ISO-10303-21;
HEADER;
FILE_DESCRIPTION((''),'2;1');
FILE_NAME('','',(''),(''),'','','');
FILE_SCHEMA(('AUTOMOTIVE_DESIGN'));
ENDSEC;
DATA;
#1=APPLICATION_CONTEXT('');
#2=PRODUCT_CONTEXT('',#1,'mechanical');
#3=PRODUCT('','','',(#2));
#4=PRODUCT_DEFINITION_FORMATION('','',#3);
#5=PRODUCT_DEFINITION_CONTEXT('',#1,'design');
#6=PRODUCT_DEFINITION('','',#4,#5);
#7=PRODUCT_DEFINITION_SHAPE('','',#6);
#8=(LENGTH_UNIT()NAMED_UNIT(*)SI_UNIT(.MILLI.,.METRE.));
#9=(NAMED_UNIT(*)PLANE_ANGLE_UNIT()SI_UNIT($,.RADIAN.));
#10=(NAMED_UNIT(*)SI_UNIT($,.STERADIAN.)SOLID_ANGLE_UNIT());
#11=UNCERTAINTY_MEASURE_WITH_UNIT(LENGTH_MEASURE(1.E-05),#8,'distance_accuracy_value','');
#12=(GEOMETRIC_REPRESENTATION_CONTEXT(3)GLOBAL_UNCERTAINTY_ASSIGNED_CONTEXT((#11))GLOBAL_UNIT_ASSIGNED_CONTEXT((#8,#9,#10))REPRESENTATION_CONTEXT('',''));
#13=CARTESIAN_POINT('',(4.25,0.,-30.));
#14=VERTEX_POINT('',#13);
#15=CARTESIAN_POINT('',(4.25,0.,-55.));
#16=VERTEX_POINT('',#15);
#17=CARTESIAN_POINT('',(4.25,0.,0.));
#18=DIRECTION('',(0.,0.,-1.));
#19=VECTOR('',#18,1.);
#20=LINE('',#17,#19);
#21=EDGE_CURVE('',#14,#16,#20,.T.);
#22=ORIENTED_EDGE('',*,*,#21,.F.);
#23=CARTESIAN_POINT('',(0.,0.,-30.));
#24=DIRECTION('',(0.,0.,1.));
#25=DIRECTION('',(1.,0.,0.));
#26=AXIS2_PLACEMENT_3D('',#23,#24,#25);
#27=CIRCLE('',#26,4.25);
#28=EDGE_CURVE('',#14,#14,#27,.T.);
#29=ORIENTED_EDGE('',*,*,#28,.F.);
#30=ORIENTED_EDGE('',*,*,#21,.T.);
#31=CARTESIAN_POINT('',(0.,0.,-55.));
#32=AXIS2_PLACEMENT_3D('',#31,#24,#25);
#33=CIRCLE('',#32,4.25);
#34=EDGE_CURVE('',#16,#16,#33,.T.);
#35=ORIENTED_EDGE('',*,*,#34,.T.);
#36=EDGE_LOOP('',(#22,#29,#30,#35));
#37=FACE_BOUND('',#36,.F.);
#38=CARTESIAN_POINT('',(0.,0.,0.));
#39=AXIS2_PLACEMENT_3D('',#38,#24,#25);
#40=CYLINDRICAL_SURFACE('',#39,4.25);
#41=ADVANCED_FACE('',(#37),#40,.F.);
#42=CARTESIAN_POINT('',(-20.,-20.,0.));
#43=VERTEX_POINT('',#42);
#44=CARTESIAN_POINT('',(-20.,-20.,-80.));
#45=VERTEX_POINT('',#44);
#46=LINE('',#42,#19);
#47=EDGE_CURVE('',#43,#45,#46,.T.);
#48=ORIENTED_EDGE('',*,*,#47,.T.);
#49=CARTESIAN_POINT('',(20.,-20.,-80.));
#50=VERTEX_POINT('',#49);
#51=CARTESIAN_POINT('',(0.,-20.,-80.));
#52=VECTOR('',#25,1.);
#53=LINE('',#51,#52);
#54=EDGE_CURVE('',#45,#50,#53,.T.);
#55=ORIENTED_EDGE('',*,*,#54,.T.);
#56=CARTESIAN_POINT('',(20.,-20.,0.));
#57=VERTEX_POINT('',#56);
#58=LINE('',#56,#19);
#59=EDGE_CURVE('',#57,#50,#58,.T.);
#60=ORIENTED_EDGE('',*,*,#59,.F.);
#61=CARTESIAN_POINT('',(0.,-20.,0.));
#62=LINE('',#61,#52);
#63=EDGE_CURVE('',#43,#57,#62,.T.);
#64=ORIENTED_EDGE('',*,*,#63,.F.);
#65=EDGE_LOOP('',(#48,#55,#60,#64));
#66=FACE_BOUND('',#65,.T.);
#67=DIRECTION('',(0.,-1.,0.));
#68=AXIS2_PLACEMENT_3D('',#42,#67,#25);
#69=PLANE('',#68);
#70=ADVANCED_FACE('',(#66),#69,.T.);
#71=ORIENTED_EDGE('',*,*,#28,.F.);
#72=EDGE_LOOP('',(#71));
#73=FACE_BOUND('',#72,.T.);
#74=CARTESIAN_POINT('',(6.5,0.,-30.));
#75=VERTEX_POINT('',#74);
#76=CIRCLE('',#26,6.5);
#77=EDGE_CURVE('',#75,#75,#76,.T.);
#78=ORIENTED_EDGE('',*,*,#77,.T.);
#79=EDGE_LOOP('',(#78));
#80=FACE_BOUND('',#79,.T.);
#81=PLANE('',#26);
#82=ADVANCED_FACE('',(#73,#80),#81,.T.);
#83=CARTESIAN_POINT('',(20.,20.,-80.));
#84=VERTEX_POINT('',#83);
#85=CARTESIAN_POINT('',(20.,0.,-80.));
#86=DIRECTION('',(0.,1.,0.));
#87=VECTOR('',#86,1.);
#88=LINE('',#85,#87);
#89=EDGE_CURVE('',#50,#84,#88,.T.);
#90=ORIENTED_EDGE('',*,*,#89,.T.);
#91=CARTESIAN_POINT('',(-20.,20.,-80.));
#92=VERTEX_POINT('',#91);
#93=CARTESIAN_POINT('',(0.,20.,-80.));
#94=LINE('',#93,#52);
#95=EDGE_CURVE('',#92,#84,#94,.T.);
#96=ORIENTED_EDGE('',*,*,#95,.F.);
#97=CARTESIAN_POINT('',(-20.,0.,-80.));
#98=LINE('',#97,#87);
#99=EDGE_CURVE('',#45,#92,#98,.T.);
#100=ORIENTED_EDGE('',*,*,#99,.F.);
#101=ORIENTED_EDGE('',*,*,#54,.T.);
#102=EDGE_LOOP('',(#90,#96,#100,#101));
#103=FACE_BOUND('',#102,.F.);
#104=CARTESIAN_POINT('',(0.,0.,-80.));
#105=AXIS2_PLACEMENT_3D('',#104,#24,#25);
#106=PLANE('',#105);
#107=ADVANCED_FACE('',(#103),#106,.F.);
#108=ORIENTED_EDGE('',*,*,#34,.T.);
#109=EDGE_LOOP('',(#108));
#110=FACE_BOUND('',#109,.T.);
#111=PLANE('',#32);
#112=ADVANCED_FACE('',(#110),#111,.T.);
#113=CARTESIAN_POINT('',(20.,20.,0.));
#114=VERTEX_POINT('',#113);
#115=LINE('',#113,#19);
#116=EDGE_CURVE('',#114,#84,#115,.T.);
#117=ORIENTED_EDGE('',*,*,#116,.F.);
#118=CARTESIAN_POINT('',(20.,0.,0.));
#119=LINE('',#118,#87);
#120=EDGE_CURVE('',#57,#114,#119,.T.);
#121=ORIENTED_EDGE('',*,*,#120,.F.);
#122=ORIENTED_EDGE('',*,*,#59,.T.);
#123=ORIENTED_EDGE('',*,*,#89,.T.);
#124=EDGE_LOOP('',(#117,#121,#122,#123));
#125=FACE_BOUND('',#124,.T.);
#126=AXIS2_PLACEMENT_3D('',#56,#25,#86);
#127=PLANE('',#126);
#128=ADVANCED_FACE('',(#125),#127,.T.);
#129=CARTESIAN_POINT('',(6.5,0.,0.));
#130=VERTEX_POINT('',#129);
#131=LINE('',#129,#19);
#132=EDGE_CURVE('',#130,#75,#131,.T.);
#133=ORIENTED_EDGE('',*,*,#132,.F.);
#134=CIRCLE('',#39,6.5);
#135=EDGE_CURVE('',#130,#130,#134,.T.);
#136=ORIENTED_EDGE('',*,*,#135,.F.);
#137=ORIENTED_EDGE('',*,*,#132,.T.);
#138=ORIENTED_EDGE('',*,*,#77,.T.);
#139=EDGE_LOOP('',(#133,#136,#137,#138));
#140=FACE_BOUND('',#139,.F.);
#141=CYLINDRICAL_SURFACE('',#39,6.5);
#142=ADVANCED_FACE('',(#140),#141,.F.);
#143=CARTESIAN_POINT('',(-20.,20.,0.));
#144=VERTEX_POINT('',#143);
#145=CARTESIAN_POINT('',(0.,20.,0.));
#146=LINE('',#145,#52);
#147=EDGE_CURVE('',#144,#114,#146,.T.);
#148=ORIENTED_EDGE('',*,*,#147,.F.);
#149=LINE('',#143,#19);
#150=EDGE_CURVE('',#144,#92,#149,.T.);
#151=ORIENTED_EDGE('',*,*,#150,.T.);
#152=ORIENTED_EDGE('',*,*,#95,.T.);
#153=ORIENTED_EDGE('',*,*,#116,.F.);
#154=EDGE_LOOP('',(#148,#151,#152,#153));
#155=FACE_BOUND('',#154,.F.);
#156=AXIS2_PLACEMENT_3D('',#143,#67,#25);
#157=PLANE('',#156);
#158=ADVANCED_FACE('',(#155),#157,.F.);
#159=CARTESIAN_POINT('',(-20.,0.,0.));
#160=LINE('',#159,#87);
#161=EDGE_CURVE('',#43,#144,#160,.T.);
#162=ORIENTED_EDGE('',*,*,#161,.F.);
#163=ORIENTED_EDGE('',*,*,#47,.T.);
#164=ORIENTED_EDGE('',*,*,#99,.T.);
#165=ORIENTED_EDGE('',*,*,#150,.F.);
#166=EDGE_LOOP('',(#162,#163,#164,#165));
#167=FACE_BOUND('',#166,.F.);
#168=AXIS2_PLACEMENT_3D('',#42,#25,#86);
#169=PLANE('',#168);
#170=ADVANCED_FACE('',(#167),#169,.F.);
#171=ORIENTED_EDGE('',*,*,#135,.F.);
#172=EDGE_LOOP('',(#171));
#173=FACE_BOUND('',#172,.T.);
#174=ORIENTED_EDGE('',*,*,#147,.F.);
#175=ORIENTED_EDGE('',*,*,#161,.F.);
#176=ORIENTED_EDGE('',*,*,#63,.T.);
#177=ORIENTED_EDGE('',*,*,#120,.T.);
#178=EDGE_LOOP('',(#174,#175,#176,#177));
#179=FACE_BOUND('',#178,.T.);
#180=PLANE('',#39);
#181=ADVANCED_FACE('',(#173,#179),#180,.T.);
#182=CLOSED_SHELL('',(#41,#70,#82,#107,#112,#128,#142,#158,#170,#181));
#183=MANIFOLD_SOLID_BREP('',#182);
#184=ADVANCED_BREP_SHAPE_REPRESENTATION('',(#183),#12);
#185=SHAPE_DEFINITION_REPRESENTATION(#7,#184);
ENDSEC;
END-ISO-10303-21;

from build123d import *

# Parameters (mm, degrees)
SKETCH_W        = 40
SKETCH_H        = 40
PAD_DEPTH       = 80
SKETCH001_R     = 6.5
POCKET_DEPTH    = 30
SKETCH002_R     = 4.25
POCKET001_DEPTH = 55


with BuildPart() as part:
    # Sketch → Pad (new body)
    with BuildSketch(Plane.XY):
        Rectangle(SKETCH_W, SKETCH_H)
    extrude(amount=-PAD_DEPTH)

    # Sketch001 (on Face5 of Pad) → Pocket (cut)
    with BuildSketch(Plane.XY):
        Circle(SKETCH001_R)
    extrude(amount=-POCKET_DEPTH, mode=Mode.SUBTRACT)

    # Sketch002 (on Face4 of Pocket) → Pocket001 (cut)
    with BuildSketch(Plane.XY):
        Circle(SKETCH002_R)
    extrude(amount=-POCKET001_DEPTH, mode=Mode.SUBTRACT)


solid = part.part
